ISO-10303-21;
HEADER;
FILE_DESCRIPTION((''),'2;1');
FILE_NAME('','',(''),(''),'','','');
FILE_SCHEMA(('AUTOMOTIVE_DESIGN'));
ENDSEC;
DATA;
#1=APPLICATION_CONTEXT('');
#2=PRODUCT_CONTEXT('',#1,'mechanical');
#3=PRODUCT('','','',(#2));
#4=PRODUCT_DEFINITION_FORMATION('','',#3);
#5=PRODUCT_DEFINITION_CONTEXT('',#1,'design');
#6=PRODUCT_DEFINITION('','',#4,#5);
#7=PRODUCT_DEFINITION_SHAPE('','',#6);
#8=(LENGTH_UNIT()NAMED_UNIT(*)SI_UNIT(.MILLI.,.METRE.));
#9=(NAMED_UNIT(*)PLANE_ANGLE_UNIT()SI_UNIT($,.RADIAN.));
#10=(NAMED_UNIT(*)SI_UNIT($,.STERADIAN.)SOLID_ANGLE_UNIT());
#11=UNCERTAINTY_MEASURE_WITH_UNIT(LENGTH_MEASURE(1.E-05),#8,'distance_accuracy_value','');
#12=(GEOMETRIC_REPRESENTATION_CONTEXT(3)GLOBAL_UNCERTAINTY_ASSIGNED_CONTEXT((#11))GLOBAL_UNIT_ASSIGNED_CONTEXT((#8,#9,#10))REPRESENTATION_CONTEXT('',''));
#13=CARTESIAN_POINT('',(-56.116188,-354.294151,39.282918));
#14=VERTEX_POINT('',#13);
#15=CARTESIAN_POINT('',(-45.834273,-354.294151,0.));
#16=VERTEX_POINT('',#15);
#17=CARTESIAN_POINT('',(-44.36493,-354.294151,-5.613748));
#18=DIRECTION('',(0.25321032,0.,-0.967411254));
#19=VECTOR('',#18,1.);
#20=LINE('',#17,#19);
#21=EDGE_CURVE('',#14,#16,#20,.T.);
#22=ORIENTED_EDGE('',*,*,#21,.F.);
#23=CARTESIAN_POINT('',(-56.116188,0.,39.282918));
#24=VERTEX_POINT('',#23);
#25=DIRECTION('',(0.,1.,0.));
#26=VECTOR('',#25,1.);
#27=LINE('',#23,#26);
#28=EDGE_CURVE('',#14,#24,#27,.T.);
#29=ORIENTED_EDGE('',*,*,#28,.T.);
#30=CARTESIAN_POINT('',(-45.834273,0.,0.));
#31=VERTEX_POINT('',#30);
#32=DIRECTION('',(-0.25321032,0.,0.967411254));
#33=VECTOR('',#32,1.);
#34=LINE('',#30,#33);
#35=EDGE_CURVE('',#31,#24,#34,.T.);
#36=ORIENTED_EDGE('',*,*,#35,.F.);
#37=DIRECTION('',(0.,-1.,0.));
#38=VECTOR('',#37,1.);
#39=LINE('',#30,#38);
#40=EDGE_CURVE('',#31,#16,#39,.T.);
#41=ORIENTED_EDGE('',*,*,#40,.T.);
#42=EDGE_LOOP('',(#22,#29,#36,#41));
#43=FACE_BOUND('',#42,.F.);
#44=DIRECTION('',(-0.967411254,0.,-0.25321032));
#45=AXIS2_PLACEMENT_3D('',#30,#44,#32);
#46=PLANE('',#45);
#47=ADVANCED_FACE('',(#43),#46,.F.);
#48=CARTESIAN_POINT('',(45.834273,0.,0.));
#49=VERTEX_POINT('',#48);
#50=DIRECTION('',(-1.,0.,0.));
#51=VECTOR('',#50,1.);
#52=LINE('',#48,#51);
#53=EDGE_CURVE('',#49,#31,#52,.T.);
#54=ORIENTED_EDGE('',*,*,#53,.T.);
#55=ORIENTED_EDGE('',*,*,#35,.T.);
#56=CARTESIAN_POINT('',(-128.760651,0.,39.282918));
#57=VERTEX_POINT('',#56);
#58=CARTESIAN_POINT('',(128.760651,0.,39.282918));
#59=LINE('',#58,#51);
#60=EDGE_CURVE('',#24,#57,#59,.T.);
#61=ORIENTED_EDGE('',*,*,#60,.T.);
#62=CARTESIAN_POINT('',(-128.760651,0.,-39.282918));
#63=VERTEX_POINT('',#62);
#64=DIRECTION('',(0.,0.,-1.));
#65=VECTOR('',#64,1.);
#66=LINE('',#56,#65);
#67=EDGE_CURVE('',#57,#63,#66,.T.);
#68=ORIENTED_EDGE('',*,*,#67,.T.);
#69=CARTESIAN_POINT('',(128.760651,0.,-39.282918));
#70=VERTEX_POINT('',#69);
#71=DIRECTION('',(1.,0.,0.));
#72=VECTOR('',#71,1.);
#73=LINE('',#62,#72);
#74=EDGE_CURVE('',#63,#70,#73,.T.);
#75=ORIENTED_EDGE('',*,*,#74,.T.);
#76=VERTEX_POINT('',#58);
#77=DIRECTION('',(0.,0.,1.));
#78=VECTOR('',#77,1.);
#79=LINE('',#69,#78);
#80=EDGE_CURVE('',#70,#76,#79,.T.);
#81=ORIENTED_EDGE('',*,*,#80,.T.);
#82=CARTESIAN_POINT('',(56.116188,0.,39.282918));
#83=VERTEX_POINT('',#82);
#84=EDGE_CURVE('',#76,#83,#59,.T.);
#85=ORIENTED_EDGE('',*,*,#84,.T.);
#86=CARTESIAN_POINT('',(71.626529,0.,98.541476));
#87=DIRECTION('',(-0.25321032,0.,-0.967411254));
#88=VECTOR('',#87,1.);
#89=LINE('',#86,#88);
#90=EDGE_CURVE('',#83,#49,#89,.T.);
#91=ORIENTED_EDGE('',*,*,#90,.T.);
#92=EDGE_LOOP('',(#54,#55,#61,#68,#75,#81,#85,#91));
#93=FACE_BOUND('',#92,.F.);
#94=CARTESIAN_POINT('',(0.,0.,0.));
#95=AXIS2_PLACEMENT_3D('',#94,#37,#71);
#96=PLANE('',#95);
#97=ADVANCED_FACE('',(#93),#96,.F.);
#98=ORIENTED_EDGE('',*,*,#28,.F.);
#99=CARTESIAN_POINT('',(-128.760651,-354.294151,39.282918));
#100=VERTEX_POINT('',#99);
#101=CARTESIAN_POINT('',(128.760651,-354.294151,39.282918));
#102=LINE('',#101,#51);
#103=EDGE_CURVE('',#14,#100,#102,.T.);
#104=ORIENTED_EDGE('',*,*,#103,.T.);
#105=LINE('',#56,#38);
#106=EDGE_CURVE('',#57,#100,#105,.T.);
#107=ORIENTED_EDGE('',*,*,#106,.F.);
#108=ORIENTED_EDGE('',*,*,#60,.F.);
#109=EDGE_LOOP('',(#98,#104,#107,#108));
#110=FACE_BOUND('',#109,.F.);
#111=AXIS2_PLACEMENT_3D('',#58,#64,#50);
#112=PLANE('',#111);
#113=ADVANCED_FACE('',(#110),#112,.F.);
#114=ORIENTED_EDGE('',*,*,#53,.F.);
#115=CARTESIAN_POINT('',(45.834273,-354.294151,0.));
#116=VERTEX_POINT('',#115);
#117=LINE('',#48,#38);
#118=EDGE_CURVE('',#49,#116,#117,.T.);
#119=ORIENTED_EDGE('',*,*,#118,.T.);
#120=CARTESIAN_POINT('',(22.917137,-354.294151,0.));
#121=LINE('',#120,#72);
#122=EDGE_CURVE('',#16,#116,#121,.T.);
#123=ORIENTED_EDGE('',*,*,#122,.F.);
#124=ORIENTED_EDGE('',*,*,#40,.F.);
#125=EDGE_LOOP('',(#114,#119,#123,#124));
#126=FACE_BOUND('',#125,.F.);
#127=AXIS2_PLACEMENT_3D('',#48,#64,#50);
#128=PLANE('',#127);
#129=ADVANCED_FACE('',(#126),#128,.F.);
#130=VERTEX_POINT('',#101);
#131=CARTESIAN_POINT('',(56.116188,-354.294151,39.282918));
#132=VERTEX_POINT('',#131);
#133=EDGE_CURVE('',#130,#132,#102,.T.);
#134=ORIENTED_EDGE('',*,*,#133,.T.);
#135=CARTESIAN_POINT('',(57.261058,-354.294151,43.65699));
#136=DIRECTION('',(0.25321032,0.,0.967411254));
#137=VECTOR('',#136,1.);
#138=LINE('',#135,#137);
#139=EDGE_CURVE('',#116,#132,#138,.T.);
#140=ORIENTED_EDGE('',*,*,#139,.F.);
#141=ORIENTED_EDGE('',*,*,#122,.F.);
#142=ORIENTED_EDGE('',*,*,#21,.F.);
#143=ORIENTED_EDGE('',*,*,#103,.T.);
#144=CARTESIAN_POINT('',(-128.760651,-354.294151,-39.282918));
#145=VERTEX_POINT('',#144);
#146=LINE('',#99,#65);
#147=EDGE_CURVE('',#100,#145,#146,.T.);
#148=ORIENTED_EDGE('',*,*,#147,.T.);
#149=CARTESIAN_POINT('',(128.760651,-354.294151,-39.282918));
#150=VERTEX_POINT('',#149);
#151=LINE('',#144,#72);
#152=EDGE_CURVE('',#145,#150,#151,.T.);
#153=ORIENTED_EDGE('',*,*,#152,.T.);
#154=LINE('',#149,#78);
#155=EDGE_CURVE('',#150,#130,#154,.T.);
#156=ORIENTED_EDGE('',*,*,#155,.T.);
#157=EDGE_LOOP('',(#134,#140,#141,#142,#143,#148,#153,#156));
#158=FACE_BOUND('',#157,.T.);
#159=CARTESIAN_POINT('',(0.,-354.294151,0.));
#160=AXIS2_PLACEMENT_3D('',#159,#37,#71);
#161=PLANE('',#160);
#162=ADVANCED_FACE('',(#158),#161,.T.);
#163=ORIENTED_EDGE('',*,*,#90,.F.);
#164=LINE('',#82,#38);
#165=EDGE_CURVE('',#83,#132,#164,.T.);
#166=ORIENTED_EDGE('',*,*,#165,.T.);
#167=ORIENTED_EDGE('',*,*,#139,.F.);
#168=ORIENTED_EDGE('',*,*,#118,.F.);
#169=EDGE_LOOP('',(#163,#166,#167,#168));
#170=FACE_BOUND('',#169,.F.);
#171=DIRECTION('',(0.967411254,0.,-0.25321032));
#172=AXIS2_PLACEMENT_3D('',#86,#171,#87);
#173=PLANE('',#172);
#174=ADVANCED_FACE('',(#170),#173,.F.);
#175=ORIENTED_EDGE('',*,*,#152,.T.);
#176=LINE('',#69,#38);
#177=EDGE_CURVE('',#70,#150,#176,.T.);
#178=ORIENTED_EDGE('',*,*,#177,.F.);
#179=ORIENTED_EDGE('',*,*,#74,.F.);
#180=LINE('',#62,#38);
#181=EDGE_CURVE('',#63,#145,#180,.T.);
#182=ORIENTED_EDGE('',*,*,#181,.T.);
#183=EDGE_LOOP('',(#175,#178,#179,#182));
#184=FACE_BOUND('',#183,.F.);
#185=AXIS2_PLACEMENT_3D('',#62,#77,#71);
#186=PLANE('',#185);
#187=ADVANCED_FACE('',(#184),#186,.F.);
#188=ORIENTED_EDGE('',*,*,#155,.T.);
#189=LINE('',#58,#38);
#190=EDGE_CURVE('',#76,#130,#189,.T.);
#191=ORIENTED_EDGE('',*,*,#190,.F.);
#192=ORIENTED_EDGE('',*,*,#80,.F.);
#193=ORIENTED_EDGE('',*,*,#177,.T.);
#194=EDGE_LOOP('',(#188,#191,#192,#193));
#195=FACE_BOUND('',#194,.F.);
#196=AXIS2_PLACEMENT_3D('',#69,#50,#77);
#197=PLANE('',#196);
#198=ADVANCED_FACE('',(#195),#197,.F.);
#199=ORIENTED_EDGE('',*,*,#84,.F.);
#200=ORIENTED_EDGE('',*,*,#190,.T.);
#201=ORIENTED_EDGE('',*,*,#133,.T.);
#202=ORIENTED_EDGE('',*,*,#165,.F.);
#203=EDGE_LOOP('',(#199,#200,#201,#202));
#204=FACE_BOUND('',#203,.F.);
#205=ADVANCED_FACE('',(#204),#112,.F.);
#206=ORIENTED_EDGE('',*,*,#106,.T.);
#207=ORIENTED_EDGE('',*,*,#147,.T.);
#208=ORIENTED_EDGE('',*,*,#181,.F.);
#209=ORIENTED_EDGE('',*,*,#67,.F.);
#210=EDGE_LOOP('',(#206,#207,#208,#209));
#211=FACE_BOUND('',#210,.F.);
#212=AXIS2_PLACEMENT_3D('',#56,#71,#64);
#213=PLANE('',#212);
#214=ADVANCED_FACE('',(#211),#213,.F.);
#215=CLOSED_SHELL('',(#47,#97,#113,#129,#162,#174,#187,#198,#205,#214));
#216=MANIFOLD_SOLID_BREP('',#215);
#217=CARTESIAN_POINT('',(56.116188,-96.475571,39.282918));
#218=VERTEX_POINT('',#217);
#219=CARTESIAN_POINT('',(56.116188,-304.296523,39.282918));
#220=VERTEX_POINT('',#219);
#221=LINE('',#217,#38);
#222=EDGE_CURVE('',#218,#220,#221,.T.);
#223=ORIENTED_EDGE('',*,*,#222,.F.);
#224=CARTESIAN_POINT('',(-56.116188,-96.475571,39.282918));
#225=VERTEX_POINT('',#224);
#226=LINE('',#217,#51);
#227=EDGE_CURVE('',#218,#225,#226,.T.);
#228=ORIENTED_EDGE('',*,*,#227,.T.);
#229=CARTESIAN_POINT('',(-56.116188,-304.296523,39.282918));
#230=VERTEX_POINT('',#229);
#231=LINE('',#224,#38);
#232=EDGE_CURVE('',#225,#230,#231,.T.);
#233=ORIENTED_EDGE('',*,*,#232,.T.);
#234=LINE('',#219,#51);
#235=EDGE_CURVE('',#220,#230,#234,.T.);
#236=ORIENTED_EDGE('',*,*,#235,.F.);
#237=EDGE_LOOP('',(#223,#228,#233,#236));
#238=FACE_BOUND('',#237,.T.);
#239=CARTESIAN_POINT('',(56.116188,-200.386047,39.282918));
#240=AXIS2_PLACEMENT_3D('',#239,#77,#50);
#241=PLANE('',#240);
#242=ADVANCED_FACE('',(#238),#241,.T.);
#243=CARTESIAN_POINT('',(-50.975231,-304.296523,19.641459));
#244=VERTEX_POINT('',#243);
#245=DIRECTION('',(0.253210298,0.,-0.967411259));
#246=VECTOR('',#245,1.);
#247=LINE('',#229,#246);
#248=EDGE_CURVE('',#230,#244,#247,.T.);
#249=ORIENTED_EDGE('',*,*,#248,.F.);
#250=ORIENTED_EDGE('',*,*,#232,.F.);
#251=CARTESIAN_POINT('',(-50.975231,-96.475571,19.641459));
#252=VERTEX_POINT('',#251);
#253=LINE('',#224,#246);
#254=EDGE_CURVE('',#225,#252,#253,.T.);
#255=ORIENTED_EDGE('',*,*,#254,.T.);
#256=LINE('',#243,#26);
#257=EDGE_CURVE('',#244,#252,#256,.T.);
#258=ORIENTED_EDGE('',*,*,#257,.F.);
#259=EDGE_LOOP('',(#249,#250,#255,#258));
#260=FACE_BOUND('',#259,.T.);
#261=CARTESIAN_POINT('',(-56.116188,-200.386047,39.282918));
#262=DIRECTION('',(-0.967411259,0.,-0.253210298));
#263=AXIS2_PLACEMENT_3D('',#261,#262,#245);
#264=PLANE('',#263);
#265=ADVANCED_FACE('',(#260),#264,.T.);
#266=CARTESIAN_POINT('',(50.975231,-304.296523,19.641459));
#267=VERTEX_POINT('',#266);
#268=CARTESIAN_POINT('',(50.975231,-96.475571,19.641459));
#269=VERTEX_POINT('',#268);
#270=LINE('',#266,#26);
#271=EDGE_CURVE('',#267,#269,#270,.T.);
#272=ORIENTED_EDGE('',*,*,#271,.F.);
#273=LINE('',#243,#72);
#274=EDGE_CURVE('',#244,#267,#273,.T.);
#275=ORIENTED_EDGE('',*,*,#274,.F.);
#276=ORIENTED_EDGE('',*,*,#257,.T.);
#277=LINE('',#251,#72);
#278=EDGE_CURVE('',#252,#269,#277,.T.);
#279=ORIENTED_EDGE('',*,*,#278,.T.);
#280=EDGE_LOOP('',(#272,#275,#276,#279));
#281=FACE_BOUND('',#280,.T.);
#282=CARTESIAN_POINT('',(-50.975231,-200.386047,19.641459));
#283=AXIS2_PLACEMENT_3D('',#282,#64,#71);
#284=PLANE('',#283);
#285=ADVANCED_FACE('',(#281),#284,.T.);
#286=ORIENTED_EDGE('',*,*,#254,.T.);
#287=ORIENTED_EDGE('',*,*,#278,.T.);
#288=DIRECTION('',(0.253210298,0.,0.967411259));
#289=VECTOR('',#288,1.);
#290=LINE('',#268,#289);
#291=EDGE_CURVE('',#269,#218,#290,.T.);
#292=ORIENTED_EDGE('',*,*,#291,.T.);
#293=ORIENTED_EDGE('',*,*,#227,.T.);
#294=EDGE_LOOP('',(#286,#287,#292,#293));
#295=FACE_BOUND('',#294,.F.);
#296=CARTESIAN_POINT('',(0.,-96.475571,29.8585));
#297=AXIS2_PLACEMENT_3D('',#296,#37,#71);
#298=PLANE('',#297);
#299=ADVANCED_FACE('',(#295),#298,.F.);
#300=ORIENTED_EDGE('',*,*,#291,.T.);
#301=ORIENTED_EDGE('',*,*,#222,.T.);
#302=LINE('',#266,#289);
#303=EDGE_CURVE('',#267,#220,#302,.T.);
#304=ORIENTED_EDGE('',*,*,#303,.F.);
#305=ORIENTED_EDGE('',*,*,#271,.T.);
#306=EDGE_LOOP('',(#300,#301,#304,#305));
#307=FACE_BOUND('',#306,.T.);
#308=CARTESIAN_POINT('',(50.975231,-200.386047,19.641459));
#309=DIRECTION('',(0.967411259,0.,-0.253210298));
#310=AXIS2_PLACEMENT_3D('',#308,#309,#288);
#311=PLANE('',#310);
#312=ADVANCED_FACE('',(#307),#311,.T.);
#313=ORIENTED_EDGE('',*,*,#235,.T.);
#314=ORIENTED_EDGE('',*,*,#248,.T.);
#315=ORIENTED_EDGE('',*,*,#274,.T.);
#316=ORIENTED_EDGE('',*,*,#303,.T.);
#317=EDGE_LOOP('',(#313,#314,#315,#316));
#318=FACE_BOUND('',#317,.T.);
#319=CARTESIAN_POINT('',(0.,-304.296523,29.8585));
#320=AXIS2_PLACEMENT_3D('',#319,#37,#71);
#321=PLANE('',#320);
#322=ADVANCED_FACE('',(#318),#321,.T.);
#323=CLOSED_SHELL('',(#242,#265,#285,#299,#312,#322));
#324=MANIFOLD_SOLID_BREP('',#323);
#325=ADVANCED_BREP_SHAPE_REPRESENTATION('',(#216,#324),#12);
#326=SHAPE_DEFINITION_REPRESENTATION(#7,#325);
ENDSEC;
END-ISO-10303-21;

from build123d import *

# Parameters (mm, degrees)
F1_DEPTH = 354.294151
F3_DEPTH = 507.262468
F6_DEPTH = 103.910476


with BuildPart() as f1:
    # F0 (on Front) → F1 (new body)
    with BuildSketch(Plane.XZ):
        Polygon((128.760651, -39.282918), (128.760651, 39.282918), (34.918144, 39.282918), (-34.918144, 39.282918), (-128.760651, 39.282918), (-128.760651, -39.282918), align=None)
    extrude(amount=F1_DEPTH)

    # F2 (on face) → F3 (cut)
    with BuildSketch(Plane(origin=(0, 0, 0), x_dir=(-1, 0, 0), z_dir=(0, 1, 0))):
        Polygon((-45.834273, 0), (0, 0), (45.834273, 0), (71.626529, 98.541476), (45.834273, 106.292709), (45.834273, 120.067082), (0, 120.067082), (-45.834273, 120.067082), (-45.834273, 106.292709), (-71.626529, 98.541476), align=None)
    extrude(amount=-F3_DEPTH, mode=Mode.SUBTRACT)


with BuildPart() as f6:
    # F5 (on offset) → F6 (new body, symmetric)
    with BuildSketch(Plane.XZ.offset(200.386047)):
        Polygon((50.975231, 19.641459), (56.116188, 39.282918), (-56.116188, 39.282918), (-50.975231, 19.641459), align=None)
    extrude(amount=F6_DEPTH, both=True)


solid = Compound([f1.part, f6.part])
